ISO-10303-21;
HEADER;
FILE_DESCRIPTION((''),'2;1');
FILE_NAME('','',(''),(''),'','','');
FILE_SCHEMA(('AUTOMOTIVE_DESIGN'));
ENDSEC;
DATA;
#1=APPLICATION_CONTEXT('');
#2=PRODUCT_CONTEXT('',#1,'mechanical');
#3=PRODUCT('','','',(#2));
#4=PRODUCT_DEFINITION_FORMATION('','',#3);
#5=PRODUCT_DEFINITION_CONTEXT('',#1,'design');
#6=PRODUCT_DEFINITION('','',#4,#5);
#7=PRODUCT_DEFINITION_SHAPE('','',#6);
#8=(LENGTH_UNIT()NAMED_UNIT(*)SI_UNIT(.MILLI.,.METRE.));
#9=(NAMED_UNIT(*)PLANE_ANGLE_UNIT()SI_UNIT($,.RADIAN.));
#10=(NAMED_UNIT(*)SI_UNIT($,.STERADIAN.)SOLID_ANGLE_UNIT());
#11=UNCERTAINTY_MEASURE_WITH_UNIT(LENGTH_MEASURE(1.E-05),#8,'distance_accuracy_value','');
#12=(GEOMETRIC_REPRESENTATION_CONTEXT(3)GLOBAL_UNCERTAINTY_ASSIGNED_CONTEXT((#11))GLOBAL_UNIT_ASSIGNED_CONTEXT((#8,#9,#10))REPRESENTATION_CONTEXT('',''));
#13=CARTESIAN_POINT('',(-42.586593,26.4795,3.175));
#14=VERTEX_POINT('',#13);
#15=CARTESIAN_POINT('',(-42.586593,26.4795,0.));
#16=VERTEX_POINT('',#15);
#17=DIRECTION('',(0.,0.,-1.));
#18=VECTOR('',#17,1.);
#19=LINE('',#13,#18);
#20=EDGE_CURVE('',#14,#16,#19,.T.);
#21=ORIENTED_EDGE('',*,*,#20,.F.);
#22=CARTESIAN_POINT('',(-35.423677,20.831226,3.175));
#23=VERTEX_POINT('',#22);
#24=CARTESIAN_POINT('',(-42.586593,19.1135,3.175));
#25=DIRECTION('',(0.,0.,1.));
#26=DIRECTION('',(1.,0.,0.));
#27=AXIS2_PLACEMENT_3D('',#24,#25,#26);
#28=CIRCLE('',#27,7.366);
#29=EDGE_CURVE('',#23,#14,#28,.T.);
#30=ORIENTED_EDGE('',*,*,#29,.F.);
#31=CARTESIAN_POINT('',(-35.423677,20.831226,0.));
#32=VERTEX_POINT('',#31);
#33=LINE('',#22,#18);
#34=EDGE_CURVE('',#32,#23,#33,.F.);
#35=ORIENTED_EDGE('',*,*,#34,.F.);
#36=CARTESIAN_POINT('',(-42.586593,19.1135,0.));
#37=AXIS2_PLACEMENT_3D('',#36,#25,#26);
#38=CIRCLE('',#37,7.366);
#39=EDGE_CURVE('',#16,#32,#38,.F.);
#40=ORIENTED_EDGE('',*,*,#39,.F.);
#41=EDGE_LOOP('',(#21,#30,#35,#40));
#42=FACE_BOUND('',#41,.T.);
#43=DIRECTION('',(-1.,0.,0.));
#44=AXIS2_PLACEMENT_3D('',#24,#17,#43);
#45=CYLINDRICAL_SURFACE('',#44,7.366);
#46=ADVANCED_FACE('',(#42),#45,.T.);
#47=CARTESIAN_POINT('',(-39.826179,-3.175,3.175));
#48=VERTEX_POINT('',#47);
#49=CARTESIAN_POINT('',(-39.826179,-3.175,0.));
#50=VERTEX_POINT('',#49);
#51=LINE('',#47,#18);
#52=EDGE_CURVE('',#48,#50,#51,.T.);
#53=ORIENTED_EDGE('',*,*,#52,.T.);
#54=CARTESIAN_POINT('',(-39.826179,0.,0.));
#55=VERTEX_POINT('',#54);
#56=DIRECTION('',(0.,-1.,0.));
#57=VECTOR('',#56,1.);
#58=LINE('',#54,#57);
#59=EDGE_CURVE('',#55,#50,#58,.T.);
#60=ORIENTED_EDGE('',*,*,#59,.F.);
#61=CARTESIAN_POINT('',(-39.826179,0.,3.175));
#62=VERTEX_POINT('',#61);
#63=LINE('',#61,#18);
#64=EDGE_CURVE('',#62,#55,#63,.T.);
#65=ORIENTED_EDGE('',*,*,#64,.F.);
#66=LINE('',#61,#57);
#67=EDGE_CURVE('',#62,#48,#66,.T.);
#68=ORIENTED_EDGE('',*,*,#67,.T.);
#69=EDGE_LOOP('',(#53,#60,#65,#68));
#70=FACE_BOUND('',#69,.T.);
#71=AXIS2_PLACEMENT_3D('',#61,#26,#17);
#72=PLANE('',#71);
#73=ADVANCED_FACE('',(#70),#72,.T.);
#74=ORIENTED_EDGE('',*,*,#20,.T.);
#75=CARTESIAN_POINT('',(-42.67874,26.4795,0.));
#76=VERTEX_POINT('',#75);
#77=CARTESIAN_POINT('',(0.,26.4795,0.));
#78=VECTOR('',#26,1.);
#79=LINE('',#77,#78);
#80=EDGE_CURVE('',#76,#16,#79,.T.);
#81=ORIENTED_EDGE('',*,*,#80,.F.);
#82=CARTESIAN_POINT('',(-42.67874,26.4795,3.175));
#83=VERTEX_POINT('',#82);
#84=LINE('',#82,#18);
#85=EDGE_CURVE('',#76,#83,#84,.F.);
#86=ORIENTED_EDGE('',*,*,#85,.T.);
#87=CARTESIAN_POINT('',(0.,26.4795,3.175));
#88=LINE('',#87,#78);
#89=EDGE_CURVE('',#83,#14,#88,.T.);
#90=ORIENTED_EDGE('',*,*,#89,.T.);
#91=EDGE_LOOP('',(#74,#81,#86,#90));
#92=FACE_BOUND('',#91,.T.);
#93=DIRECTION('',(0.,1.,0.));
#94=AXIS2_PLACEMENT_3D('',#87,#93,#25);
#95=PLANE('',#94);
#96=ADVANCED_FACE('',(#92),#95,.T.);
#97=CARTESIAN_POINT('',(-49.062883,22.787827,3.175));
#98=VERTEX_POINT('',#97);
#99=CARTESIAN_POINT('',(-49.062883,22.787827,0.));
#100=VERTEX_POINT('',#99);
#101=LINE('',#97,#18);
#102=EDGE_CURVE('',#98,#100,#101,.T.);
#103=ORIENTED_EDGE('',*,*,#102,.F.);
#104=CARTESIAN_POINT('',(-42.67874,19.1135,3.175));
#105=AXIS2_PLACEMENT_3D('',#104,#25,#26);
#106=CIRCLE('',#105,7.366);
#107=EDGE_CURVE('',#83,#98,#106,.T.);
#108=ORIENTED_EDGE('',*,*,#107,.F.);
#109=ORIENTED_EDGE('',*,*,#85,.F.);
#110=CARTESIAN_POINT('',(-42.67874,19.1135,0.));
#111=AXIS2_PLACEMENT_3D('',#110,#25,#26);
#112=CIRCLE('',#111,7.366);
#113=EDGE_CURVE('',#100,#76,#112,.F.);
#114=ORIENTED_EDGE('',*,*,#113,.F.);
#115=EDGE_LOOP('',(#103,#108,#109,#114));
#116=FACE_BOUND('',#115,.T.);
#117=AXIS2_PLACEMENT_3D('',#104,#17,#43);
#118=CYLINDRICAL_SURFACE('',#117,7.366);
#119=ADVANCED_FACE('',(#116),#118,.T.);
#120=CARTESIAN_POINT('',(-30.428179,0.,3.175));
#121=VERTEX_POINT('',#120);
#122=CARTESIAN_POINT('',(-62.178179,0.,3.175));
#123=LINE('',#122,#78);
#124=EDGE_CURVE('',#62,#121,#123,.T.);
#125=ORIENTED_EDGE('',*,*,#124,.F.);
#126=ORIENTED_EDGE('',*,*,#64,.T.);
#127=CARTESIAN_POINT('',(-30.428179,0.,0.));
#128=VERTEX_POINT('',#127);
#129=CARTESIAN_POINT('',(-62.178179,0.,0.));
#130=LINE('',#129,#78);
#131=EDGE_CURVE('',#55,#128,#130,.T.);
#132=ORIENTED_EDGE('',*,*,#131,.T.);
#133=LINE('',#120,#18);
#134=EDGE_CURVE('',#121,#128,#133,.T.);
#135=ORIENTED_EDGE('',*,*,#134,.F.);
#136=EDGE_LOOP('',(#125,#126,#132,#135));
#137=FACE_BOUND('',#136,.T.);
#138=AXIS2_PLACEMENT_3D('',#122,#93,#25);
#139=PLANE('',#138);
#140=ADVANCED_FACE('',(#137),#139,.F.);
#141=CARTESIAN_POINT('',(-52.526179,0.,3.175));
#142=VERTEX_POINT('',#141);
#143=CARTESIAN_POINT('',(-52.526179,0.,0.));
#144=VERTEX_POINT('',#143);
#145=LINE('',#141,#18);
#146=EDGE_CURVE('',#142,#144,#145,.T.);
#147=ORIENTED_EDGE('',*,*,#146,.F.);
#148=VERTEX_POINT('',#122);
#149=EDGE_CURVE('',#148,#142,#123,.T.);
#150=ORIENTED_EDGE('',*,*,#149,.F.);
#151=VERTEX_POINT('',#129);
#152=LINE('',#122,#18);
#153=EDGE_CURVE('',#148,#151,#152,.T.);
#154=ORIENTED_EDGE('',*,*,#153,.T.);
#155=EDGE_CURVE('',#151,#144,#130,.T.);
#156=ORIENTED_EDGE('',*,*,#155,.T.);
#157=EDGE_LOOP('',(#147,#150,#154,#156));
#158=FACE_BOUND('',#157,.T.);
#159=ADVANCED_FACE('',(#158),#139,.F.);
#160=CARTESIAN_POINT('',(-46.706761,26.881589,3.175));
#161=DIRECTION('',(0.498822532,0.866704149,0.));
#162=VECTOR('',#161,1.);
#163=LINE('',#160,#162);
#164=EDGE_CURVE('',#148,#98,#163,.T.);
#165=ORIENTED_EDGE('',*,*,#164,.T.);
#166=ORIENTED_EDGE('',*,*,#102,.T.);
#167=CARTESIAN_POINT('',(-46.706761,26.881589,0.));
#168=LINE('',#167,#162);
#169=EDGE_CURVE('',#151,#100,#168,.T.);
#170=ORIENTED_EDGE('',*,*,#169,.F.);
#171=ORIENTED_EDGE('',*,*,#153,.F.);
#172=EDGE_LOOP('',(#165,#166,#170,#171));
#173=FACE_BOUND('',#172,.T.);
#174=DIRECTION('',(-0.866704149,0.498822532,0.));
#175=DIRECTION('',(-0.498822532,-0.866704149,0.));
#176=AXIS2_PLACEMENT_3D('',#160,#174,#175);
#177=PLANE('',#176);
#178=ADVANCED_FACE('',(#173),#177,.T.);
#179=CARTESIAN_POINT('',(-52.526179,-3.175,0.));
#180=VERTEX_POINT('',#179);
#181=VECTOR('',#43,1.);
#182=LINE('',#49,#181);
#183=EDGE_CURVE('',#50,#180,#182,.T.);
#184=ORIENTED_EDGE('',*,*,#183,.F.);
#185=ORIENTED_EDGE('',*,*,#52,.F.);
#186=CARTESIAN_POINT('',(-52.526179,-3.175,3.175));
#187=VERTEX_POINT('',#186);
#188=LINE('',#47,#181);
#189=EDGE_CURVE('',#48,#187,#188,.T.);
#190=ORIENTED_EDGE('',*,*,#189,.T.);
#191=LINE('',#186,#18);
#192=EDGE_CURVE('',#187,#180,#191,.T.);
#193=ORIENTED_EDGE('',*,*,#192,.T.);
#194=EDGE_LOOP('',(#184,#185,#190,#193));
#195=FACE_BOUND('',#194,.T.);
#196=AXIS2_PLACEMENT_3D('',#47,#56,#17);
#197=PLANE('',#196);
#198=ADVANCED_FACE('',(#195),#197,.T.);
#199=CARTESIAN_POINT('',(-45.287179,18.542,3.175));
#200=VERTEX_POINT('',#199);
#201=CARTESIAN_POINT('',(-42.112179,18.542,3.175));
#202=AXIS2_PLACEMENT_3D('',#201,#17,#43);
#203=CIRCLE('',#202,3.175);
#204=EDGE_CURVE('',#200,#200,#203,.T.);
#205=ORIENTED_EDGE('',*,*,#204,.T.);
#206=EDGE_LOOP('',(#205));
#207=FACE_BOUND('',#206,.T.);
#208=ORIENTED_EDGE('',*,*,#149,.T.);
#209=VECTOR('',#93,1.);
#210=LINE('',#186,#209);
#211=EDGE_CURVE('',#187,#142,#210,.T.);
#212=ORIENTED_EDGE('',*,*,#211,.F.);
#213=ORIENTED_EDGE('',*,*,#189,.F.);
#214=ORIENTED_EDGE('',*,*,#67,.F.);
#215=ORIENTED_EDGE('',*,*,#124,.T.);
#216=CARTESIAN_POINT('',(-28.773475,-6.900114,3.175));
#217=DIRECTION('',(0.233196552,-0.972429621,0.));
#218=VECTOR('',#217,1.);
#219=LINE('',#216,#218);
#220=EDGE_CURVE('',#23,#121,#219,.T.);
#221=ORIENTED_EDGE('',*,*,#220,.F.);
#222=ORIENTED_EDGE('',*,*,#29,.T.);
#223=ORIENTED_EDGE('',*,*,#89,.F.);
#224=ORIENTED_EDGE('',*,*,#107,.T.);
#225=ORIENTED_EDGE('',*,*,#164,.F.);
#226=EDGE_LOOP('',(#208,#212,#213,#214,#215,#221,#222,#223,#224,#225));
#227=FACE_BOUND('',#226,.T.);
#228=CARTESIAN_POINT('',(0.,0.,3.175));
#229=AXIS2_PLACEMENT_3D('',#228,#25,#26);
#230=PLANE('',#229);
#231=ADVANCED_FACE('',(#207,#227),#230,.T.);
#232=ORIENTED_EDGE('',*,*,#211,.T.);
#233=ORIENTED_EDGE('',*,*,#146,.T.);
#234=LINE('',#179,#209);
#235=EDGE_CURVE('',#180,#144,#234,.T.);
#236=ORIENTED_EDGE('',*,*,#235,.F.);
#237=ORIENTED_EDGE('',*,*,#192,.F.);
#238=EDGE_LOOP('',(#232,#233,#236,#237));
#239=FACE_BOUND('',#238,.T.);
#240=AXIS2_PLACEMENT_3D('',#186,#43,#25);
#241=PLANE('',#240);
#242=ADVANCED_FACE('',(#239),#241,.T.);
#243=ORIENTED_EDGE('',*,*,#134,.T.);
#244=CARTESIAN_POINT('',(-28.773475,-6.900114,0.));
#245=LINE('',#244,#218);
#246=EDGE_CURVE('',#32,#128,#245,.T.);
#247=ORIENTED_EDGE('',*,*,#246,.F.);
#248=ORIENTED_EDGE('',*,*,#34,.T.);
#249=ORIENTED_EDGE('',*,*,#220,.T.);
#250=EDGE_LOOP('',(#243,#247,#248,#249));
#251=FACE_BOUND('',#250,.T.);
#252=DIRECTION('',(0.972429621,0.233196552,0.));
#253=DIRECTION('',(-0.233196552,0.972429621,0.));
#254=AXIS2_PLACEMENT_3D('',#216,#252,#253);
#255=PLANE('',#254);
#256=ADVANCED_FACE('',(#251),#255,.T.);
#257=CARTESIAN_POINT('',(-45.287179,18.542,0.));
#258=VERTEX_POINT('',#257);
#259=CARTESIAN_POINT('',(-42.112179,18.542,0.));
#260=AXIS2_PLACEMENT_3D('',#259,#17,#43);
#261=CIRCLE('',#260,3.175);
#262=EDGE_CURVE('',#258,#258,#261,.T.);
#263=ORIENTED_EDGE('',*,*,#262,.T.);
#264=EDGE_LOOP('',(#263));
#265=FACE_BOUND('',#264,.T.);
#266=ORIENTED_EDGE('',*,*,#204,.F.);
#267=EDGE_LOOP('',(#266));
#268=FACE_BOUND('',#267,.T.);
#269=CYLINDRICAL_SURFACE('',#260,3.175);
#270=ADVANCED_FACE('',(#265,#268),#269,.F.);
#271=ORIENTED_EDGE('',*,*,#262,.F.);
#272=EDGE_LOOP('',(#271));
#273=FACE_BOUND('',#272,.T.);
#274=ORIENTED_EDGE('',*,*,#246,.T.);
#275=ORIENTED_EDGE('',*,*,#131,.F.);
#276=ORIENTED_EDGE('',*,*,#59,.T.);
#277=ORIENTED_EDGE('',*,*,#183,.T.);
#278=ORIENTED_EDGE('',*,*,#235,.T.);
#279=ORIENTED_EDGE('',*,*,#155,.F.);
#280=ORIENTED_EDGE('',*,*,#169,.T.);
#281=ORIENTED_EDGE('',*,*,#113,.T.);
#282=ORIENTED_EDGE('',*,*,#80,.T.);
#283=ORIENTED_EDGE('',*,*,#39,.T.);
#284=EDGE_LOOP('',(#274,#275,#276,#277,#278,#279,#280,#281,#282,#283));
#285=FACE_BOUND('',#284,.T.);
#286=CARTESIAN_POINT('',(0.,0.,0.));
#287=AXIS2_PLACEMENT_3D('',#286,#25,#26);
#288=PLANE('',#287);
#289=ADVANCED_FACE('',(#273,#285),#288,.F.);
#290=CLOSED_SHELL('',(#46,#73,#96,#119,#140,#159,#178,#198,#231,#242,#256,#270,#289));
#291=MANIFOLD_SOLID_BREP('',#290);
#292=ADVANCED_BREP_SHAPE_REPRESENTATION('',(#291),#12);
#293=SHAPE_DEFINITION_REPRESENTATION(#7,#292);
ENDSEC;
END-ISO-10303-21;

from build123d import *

# Parameters (mm, degrees)
SKETCH1_W                   = 62.178178995
SKETCH1_H                   = 55.159619557
BOSS_EXTRUDE1_DEPTH         = 3.175
F_1_4_0_25_DIAMETER_HOLE1_D = 6.35
CUT_EXTRUDE6_DEPTH          = 84.179265432
FILLET1_R                   = 7.366
SKETCH7_W                   = 12.7
SKETCH7_H                   = 3.175
BOSS_EXTRUDE2_DEPTH         = 3.175


with BuildPart() as part:
    # Sketch1 → Boss-Extrude1 (new body)
    with BuildSketch(Plane.XY):
        with Locations((-31.089089498, 27.579809779)):
            Rectangle(SKETCH1_W, SKETCH1_H)
    extrude(amount=BOSS_EXTRUDE1_DEPTH)

    # 1/4 (0.25) Diameter Hole1 (through all)
    with Locations(Plane(origin=(0, 0, 0), x_dir=(-1, 0, 0), z_dir=(0, 0, -1))):
        with Locations((42.112178995, 18.542)):
            Hole(F_1_4_0_25_DIAMETER_HOLE1_D / 2)

    # Sketch4 → Cut-Extrude6 (cut, through all)
    with BuildSketch(Plane(origin=(0, 0, 0), x_dir=(-1, 0, 0), z_dir=(0, 0, -1))):
        Polygon((46.938178995, 26.4795), (62.178178995, 0), (62.178178995, 55.159619557), (0, 55.159619557), (0, 0), (30.428178995, 0), (36.778178995, 26.4795), align=None)
    extrude(amount=-CUT_EXTRUDE6_DEPTH, mode=Mode.SUBTRACT)

    # Fillet1
    fillet1_edges = [part.edges().sort_by_distance(p)[0] for p in [
        (-36.778178995, 26.4795, 1.5875),
        (-46.938178995, 26.4795, 1.5875),
    ]]
    fillet(fillet1_edges, radius=FILLET1_R)

    # Sketch7 → Boss-Extrude2 (add)
    with BuildSketch(Plane(origin=(0, 0, 0), x_dir=(-1, 0, 0), z_dir=(0, 0, -1))):
        with Locations((46.176178995, -1.5875)):
            Rectangle(SKETCH7_W, SKETCH7_H)
    extrude(amount=-BOSS_EXTRUDE2_DEPTH)


solid = part.part
